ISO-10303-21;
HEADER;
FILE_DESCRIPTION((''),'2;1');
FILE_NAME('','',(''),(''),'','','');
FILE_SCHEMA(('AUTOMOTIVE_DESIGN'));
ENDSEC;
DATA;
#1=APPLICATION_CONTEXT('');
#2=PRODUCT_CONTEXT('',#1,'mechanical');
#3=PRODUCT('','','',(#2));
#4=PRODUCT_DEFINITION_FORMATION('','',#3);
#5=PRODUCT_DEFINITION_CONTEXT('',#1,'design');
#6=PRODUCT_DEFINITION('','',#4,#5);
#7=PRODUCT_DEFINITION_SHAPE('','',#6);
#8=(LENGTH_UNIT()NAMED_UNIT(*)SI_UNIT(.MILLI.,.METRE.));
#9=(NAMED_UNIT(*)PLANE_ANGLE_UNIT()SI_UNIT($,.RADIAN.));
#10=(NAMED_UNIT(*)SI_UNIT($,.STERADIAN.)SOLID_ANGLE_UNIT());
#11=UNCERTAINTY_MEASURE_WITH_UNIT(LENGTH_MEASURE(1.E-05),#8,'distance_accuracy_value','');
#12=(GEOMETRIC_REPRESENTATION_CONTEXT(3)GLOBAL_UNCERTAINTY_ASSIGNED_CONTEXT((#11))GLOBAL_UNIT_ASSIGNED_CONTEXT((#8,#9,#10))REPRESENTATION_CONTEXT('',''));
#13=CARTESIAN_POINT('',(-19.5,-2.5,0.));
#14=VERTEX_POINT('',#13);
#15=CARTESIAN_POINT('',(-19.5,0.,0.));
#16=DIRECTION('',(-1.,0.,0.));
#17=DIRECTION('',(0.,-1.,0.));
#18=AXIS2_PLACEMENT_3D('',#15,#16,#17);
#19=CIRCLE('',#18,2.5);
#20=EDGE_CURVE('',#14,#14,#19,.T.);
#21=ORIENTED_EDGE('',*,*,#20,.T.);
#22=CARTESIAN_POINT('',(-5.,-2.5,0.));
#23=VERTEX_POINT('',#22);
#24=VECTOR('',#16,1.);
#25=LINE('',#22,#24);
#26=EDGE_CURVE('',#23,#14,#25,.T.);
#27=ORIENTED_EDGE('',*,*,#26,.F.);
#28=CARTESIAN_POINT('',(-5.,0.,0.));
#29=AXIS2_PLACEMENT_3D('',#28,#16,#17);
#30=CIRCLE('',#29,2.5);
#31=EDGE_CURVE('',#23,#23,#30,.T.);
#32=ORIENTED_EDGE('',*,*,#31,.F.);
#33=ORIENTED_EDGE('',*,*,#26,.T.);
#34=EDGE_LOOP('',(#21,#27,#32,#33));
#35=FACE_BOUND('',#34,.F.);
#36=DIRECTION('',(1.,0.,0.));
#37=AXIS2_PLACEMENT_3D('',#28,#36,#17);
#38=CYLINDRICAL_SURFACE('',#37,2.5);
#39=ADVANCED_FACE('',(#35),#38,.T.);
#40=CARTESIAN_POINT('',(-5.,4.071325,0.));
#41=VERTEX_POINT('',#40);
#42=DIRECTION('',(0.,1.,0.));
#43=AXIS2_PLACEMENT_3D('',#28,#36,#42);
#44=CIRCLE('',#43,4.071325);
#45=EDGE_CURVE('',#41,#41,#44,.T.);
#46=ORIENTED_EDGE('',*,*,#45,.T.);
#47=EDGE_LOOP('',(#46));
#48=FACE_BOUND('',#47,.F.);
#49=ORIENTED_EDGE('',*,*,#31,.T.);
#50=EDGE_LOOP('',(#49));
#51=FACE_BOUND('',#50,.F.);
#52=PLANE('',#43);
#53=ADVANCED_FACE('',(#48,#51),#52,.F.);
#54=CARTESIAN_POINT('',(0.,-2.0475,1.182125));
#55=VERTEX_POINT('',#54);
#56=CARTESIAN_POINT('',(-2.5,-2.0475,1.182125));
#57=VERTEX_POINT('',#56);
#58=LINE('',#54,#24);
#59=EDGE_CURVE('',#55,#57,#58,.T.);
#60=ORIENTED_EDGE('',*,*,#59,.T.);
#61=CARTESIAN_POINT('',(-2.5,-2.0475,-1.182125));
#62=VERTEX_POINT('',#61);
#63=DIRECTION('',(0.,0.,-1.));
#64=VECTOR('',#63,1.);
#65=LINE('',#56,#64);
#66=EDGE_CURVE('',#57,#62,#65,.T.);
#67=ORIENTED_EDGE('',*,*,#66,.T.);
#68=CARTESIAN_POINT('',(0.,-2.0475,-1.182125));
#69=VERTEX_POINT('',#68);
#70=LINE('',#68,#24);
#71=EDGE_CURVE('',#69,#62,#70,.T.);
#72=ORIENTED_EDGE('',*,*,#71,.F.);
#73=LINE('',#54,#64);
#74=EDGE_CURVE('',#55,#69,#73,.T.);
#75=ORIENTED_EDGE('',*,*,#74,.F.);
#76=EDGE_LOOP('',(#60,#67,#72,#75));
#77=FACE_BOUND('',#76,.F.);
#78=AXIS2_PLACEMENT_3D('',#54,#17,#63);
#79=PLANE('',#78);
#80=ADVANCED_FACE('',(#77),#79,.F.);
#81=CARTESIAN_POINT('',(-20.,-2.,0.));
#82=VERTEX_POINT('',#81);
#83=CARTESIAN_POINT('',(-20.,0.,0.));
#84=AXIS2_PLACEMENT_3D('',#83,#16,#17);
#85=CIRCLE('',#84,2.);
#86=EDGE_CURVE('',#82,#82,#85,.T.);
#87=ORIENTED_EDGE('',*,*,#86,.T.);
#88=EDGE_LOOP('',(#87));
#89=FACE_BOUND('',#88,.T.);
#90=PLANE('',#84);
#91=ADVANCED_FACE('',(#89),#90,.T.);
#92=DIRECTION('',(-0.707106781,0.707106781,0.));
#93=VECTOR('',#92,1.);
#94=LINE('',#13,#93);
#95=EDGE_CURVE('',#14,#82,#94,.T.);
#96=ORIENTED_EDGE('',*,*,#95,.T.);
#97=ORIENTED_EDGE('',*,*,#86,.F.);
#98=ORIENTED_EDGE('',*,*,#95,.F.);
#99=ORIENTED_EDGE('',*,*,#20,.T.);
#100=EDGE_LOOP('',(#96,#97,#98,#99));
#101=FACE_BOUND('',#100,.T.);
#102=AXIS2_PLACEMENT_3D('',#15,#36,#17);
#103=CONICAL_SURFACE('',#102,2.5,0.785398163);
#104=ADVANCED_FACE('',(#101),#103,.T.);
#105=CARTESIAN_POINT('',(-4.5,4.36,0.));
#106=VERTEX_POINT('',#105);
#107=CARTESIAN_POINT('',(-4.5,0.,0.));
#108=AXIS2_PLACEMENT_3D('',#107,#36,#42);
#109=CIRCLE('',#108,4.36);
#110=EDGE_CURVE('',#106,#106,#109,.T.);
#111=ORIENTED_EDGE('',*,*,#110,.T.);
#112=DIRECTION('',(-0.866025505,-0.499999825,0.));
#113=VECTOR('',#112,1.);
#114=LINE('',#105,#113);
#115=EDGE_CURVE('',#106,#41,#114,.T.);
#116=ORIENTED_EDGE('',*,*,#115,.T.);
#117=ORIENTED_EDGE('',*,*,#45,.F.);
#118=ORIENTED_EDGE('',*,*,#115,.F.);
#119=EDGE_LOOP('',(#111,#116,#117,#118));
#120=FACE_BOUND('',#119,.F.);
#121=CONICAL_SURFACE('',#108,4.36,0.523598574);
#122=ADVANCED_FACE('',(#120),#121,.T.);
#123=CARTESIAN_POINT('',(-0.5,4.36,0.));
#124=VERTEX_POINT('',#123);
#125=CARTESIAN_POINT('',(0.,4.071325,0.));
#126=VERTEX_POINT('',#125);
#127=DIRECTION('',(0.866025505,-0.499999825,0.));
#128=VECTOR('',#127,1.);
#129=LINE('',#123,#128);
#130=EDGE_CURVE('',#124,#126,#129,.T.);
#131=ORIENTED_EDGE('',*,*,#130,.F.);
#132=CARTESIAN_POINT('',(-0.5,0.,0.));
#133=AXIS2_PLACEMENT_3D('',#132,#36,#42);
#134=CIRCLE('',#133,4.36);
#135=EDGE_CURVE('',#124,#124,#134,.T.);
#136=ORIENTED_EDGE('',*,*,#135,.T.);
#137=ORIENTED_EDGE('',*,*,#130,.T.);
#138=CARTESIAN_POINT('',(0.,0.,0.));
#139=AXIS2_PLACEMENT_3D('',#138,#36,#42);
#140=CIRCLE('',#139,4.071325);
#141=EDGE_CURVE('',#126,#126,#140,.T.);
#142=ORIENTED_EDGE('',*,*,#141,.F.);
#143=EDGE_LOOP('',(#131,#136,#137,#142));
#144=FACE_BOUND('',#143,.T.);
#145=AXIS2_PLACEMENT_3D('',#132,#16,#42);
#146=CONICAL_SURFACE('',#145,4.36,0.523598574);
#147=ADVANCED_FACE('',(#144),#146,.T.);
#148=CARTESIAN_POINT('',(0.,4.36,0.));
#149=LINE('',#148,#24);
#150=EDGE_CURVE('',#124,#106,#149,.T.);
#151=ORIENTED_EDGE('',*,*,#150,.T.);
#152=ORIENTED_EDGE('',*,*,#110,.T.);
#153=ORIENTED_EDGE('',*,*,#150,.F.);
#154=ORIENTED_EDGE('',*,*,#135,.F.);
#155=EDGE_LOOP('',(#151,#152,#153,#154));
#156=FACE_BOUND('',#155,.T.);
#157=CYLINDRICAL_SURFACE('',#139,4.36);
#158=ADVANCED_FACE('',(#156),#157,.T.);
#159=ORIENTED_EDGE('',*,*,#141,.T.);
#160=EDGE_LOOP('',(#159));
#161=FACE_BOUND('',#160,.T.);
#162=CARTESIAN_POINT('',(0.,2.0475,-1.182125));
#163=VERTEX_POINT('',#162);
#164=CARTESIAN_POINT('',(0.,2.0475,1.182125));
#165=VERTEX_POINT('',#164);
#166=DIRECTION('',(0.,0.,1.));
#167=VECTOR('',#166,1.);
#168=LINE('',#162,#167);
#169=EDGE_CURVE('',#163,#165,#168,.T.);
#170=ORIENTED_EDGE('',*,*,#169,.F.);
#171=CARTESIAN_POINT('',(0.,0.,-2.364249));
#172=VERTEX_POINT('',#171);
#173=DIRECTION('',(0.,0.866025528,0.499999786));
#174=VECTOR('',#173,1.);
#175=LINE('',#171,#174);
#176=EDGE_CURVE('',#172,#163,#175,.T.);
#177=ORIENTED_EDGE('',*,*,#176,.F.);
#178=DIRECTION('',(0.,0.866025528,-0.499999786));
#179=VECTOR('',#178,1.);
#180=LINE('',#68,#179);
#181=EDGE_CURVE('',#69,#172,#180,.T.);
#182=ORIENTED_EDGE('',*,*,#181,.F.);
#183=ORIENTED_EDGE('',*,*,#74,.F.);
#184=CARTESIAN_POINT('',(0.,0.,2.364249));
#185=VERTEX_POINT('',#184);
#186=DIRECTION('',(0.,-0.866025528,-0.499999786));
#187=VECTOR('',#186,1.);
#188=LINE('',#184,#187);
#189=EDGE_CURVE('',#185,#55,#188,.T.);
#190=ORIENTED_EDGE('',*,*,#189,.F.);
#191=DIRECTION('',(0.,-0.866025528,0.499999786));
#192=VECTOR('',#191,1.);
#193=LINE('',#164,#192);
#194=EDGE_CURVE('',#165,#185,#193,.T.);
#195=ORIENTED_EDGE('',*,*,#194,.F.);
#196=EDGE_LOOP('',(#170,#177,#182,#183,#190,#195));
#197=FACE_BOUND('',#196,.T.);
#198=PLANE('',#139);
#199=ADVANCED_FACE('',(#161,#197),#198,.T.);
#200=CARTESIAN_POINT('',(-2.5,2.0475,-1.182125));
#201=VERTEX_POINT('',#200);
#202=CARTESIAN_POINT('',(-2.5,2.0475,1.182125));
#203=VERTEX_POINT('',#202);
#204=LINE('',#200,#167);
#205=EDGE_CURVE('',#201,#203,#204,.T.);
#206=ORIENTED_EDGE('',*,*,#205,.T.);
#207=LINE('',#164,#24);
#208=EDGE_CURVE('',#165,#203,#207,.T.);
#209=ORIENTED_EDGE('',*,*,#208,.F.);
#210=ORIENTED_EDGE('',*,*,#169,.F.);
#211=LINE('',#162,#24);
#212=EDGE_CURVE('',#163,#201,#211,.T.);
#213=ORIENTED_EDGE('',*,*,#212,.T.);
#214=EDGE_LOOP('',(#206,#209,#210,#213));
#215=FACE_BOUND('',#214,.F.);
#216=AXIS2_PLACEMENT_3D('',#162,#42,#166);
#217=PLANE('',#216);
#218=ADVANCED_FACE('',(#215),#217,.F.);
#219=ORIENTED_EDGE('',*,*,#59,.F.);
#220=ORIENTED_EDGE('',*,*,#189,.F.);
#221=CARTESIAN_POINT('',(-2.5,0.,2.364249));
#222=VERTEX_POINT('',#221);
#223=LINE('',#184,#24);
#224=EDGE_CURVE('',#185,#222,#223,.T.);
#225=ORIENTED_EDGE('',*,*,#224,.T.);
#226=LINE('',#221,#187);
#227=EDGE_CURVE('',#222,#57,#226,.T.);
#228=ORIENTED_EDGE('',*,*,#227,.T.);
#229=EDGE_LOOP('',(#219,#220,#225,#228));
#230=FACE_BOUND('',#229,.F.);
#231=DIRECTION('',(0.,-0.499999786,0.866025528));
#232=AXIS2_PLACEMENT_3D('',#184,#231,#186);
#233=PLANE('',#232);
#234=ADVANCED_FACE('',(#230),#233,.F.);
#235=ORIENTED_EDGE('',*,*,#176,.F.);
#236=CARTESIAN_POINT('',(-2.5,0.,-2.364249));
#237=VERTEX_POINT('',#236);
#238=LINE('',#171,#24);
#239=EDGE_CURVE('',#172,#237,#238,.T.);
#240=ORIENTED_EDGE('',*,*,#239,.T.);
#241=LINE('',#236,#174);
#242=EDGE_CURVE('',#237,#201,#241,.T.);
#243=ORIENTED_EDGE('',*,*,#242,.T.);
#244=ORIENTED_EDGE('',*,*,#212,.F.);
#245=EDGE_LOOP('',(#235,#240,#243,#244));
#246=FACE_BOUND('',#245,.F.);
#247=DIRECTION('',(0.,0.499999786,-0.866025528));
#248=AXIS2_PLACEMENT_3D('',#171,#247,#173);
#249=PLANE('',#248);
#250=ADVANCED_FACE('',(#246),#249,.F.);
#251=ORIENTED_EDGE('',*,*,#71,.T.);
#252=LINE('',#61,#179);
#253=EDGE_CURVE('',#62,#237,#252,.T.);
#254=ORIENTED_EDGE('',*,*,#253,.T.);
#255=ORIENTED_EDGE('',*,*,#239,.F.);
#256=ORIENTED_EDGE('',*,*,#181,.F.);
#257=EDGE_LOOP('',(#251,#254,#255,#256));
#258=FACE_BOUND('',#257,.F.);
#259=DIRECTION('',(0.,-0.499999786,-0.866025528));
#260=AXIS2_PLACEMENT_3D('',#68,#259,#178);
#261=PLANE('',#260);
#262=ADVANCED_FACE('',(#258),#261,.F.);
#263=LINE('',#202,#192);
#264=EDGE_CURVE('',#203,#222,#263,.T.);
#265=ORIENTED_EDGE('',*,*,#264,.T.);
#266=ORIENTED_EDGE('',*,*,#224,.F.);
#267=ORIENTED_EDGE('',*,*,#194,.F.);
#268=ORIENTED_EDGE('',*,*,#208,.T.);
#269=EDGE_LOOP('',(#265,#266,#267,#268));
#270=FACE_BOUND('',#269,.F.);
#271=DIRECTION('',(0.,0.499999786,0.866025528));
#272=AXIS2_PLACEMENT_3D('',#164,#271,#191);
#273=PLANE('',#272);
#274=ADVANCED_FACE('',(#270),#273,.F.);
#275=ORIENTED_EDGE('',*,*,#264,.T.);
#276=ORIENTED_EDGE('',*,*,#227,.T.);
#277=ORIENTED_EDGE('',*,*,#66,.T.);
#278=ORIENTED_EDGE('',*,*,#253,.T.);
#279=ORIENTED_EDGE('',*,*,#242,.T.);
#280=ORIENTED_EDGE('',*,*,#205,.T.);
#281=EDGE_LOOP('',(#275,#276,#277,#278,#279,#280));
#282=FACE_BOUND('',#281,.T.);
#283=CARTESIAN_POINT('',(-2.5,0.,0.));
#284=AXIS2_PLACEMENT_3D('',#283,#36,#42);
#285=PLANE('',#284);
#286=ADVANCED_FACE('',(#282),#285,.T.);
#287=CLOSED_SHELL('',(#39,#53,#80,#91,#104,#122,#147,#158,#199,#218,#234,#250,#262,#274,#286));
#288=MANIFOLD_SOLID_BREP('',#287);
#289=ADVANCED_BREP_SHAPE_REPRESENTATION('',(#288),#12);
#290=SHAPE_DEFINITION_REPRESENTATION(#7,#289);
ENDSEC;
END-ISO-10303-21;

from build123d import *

# Parameters (mm, degrees)
F0_R     = 4.36
F1_DEPTH = 5
F2_SIZE2 = 0.288675
F2_SIZE  = 0.5
F4_DEPTH = 2.5
F5_R     = 2.5
F6_DEPTH = 15
F7_SIZE  = 0.5


with BuildPart() as f1:
    # F0 (on Right) → F1 (new body)
    with BuildSketch(Plane.YZ):
        Circle(F0_R)
    extrude(amount=-F1_DEPTH)

    # F2
    f2_edges = [f1.edges().sort_by_distance(p)[0] for p in [
        (0, -4.36, 0),
        (-5, -4.36, 0),
    ]]
    chamfer(f2_edges, length=F2_SIZE, length2=F2_SIZE2)

    # F3 (on face) → F4 (cut)
    with BuildSketch(Plane.YZ):
        Polygon((0, -2.364249), (2.0475, -1.182125), (2.0475, 1.182125), (0, 2.364249), (-2.0475, 1.182125), (-2.0475, -1.182125), align=None)
    extrude(amount=-F4_DEPTH, mode=Mode.SUBTRACT)

    # F5 (on face) → F6 (join)
    with BuildSketch(Plane(origin=(-5, 0, 0), x_dir=(0, -1, 0), z_dir=(-1, 0, 0))):
        Circle(F5_R)
    extrude(amount=F6_DEPTH)

    # F7
    f7_edges = [f1.edges().sort_by_distance(p)[0] for p in [
        (-20, 2.5, 0),
    ]]
    chamfer(f7_edges, length=F7_SIZE)


solid = f1.part
